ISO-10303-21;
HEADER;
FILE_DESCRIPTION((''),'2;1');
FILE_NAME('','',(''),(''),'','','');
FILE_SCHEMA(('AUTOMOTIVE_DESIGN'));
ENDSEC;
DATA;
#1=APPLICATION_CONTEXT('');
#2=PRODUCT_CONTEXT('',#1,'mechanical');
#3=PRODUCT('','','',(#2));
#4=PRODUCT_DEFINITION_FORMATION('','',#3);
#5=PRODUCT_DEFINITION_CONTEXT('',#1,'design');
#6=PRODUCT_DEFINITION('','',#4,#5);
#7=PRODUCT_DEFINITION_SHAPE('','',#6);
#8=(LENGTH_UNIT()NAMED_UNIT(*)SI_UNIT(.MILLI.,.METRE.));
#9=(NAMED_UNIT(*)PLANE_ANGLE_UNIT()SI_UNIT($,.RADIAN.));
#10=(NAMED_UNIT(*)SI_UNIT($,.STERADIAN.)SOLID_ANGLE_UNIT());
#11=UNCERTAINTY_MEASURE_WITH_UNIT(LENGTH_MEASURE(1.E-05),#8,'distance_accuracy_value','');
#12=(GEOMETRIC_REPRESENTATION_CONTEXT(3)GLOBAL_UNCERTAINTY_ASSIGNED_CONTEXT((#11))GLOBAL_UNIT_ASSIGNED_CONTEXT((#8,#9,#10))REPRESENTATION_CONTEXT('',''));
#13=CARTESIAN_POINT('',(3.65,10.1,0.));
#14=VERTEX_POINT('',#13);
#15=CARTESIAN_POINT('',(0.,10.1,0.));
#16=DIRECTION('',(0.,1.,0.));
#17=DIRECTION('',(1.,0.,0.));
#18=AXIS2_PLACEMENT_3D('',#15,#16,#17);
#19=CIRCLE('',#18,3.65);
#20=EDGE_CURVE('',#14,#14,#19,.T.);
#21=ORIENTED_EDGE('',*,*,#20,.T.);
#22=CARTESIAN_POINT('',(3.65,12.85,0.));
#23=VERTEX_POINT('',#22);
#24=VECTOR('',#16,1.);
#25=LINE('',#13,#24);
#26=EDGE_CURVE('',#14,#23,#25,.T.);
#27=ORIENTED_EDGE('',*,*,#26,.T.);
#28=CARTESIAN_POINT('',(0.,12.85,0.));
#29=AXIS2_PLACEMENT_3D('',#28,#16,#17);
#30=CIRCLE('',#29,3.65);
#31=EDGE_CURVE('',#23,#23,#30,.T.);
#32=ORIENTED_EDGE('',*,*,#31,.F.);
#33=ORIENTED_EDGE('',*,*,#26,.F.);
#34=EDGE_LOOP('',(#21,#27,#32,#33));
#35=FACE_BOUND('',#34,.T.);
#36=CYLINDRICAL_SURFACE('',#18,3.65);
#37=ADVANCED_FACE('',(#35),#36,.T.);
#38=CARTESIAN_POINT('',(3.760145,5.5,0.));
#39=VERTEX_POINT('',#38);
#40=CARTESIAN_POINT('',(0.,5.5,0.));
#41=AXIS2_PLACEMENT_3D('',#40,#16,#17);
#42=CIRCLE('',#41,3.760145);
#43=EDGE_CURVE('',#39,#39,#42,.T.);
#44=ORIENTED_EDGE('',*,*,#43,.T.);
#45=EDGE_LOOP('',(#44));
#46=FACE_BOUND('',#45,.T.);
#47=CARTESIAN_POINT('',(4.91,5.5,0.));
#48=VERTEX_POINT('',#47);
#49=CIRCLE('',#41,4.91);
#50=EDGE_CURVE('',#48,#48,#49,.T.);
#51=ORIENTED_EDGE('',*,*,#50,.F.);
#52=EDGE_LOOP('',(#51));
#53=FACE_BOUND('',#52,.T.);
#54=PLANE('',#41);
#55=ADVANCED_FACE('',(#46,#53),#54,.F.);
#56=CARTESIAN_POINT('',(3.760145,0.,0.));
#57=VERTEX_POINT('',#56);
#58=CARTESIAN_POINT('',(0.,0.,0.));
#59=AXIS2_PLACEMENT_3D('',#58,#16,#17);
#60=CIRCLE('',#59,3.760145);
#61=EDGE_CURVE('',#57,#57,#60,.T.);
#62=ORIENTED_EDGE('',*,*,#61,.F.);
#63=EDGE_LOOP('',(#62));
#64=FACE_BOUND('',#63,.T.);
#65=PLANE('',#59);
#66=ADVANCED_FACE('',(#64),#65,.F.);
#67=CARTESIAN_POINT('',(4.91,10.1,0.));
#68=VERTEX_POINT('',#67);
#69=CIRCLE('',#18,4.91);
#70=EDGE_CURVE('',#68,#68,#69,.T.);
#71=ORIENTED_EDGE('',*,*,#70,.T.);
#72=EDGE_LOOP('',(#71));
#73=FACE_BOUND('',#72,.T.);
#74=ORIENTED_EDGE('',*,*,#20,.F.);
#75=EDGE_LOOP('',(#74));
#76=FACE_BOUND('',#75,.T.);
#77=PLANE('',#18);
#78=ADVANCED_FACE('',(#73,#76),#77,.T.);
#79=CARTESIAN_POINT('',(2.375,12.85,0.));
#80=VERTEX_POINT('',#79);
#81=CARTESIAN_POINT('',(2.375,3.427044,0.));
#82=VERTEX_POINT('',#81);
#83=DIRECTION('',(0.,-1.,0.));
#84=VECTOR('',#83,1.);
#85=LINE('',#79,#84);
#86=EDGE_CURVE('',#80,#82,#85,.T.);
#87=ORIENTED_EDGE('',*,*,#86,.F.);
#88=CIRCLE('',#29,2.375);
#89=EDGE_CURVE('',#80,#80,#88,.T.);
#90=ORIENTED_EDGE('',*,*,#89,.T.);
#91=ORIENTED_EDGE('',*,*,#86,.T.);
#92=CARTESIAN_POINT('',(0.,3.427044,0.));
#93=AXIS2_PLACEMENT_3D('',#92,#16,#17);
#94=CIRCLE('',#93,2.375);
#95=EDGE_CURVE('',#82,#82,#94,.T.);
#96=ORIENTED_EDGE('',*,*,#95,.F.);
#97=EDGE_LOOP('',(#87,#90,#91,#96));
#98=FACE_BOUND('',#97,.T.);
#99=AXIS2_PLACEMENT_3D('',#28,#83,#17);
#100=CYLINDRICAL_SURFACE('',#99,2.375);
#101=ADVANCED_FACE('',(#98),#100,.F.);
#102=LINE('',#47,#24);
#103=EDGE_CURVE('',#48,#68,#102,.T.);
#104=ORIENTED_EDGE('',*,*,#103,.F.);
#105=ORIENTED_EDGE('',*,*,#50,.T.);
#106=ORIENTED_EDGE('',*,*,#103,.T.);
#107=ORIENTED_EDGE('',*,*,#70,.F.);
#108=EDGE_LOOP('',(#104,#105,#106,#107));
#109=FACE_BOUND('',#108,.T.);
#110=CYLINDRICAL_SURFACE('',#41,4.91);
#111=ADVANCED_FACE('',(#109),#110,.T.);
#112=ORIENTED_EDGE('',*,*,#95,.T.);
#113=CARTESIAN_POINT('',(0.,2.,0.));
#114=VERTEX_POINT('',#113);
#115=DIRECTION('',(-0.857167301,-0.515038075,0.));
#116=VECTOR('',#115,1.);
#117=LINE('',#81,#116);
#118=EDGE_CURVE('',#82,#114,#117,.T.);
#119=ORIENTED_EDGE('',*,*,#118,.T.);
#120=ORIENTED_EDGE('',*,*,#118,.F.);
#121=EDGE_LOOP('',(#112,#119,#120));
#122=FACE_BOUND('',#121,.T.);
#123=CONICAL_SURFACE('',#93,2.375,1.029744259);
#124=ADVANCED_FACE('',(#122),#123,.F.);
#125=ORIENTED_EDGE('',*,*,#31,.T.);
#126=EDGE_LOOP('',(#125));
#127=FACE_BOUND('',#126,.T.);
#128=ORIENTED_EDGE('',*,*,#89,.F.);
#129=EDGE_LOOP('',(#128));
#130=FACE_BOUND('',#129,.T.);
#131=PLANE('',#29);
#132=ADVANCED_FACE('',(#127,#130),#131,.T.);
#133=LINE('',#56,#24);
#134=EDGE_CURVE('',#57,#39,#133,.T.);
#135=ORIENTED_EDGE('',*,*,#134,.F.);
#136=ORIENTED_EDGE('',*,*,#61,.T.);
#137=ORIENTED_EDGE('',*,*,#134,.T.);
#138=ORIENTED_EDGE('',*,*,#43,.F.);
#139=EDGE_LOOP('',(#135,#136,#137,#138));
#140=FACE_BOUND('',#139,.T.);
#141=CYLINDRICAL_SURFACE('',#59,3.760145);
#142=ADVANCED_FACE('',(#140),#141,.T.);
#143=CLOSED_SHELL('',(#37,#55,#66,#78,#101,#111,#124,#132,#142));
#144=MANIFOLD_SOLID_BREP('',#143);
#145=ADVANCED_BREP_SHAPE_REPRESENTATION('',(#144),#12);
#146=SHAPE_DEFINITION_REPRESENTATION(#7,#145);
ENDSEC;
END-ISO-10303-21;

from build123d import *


with BuildPart() as part:
    # Sketch2 → Revolve1 (revolve)
    with BuildSketch(Plane.XY):
        Polygon((3.760145388, 0), (3.760145388, 5.5), (4.91, 5.5), (4.91, 10.1), (3.65, 10.1), (3.65, 12.85), (2.375, 12.85), (2.375, 3.42704397), (0, 2), (0, 0), align=None)
    revolve(axis=Axis((0, 0, 0), (0, 1, 0)))


solid = part.part
